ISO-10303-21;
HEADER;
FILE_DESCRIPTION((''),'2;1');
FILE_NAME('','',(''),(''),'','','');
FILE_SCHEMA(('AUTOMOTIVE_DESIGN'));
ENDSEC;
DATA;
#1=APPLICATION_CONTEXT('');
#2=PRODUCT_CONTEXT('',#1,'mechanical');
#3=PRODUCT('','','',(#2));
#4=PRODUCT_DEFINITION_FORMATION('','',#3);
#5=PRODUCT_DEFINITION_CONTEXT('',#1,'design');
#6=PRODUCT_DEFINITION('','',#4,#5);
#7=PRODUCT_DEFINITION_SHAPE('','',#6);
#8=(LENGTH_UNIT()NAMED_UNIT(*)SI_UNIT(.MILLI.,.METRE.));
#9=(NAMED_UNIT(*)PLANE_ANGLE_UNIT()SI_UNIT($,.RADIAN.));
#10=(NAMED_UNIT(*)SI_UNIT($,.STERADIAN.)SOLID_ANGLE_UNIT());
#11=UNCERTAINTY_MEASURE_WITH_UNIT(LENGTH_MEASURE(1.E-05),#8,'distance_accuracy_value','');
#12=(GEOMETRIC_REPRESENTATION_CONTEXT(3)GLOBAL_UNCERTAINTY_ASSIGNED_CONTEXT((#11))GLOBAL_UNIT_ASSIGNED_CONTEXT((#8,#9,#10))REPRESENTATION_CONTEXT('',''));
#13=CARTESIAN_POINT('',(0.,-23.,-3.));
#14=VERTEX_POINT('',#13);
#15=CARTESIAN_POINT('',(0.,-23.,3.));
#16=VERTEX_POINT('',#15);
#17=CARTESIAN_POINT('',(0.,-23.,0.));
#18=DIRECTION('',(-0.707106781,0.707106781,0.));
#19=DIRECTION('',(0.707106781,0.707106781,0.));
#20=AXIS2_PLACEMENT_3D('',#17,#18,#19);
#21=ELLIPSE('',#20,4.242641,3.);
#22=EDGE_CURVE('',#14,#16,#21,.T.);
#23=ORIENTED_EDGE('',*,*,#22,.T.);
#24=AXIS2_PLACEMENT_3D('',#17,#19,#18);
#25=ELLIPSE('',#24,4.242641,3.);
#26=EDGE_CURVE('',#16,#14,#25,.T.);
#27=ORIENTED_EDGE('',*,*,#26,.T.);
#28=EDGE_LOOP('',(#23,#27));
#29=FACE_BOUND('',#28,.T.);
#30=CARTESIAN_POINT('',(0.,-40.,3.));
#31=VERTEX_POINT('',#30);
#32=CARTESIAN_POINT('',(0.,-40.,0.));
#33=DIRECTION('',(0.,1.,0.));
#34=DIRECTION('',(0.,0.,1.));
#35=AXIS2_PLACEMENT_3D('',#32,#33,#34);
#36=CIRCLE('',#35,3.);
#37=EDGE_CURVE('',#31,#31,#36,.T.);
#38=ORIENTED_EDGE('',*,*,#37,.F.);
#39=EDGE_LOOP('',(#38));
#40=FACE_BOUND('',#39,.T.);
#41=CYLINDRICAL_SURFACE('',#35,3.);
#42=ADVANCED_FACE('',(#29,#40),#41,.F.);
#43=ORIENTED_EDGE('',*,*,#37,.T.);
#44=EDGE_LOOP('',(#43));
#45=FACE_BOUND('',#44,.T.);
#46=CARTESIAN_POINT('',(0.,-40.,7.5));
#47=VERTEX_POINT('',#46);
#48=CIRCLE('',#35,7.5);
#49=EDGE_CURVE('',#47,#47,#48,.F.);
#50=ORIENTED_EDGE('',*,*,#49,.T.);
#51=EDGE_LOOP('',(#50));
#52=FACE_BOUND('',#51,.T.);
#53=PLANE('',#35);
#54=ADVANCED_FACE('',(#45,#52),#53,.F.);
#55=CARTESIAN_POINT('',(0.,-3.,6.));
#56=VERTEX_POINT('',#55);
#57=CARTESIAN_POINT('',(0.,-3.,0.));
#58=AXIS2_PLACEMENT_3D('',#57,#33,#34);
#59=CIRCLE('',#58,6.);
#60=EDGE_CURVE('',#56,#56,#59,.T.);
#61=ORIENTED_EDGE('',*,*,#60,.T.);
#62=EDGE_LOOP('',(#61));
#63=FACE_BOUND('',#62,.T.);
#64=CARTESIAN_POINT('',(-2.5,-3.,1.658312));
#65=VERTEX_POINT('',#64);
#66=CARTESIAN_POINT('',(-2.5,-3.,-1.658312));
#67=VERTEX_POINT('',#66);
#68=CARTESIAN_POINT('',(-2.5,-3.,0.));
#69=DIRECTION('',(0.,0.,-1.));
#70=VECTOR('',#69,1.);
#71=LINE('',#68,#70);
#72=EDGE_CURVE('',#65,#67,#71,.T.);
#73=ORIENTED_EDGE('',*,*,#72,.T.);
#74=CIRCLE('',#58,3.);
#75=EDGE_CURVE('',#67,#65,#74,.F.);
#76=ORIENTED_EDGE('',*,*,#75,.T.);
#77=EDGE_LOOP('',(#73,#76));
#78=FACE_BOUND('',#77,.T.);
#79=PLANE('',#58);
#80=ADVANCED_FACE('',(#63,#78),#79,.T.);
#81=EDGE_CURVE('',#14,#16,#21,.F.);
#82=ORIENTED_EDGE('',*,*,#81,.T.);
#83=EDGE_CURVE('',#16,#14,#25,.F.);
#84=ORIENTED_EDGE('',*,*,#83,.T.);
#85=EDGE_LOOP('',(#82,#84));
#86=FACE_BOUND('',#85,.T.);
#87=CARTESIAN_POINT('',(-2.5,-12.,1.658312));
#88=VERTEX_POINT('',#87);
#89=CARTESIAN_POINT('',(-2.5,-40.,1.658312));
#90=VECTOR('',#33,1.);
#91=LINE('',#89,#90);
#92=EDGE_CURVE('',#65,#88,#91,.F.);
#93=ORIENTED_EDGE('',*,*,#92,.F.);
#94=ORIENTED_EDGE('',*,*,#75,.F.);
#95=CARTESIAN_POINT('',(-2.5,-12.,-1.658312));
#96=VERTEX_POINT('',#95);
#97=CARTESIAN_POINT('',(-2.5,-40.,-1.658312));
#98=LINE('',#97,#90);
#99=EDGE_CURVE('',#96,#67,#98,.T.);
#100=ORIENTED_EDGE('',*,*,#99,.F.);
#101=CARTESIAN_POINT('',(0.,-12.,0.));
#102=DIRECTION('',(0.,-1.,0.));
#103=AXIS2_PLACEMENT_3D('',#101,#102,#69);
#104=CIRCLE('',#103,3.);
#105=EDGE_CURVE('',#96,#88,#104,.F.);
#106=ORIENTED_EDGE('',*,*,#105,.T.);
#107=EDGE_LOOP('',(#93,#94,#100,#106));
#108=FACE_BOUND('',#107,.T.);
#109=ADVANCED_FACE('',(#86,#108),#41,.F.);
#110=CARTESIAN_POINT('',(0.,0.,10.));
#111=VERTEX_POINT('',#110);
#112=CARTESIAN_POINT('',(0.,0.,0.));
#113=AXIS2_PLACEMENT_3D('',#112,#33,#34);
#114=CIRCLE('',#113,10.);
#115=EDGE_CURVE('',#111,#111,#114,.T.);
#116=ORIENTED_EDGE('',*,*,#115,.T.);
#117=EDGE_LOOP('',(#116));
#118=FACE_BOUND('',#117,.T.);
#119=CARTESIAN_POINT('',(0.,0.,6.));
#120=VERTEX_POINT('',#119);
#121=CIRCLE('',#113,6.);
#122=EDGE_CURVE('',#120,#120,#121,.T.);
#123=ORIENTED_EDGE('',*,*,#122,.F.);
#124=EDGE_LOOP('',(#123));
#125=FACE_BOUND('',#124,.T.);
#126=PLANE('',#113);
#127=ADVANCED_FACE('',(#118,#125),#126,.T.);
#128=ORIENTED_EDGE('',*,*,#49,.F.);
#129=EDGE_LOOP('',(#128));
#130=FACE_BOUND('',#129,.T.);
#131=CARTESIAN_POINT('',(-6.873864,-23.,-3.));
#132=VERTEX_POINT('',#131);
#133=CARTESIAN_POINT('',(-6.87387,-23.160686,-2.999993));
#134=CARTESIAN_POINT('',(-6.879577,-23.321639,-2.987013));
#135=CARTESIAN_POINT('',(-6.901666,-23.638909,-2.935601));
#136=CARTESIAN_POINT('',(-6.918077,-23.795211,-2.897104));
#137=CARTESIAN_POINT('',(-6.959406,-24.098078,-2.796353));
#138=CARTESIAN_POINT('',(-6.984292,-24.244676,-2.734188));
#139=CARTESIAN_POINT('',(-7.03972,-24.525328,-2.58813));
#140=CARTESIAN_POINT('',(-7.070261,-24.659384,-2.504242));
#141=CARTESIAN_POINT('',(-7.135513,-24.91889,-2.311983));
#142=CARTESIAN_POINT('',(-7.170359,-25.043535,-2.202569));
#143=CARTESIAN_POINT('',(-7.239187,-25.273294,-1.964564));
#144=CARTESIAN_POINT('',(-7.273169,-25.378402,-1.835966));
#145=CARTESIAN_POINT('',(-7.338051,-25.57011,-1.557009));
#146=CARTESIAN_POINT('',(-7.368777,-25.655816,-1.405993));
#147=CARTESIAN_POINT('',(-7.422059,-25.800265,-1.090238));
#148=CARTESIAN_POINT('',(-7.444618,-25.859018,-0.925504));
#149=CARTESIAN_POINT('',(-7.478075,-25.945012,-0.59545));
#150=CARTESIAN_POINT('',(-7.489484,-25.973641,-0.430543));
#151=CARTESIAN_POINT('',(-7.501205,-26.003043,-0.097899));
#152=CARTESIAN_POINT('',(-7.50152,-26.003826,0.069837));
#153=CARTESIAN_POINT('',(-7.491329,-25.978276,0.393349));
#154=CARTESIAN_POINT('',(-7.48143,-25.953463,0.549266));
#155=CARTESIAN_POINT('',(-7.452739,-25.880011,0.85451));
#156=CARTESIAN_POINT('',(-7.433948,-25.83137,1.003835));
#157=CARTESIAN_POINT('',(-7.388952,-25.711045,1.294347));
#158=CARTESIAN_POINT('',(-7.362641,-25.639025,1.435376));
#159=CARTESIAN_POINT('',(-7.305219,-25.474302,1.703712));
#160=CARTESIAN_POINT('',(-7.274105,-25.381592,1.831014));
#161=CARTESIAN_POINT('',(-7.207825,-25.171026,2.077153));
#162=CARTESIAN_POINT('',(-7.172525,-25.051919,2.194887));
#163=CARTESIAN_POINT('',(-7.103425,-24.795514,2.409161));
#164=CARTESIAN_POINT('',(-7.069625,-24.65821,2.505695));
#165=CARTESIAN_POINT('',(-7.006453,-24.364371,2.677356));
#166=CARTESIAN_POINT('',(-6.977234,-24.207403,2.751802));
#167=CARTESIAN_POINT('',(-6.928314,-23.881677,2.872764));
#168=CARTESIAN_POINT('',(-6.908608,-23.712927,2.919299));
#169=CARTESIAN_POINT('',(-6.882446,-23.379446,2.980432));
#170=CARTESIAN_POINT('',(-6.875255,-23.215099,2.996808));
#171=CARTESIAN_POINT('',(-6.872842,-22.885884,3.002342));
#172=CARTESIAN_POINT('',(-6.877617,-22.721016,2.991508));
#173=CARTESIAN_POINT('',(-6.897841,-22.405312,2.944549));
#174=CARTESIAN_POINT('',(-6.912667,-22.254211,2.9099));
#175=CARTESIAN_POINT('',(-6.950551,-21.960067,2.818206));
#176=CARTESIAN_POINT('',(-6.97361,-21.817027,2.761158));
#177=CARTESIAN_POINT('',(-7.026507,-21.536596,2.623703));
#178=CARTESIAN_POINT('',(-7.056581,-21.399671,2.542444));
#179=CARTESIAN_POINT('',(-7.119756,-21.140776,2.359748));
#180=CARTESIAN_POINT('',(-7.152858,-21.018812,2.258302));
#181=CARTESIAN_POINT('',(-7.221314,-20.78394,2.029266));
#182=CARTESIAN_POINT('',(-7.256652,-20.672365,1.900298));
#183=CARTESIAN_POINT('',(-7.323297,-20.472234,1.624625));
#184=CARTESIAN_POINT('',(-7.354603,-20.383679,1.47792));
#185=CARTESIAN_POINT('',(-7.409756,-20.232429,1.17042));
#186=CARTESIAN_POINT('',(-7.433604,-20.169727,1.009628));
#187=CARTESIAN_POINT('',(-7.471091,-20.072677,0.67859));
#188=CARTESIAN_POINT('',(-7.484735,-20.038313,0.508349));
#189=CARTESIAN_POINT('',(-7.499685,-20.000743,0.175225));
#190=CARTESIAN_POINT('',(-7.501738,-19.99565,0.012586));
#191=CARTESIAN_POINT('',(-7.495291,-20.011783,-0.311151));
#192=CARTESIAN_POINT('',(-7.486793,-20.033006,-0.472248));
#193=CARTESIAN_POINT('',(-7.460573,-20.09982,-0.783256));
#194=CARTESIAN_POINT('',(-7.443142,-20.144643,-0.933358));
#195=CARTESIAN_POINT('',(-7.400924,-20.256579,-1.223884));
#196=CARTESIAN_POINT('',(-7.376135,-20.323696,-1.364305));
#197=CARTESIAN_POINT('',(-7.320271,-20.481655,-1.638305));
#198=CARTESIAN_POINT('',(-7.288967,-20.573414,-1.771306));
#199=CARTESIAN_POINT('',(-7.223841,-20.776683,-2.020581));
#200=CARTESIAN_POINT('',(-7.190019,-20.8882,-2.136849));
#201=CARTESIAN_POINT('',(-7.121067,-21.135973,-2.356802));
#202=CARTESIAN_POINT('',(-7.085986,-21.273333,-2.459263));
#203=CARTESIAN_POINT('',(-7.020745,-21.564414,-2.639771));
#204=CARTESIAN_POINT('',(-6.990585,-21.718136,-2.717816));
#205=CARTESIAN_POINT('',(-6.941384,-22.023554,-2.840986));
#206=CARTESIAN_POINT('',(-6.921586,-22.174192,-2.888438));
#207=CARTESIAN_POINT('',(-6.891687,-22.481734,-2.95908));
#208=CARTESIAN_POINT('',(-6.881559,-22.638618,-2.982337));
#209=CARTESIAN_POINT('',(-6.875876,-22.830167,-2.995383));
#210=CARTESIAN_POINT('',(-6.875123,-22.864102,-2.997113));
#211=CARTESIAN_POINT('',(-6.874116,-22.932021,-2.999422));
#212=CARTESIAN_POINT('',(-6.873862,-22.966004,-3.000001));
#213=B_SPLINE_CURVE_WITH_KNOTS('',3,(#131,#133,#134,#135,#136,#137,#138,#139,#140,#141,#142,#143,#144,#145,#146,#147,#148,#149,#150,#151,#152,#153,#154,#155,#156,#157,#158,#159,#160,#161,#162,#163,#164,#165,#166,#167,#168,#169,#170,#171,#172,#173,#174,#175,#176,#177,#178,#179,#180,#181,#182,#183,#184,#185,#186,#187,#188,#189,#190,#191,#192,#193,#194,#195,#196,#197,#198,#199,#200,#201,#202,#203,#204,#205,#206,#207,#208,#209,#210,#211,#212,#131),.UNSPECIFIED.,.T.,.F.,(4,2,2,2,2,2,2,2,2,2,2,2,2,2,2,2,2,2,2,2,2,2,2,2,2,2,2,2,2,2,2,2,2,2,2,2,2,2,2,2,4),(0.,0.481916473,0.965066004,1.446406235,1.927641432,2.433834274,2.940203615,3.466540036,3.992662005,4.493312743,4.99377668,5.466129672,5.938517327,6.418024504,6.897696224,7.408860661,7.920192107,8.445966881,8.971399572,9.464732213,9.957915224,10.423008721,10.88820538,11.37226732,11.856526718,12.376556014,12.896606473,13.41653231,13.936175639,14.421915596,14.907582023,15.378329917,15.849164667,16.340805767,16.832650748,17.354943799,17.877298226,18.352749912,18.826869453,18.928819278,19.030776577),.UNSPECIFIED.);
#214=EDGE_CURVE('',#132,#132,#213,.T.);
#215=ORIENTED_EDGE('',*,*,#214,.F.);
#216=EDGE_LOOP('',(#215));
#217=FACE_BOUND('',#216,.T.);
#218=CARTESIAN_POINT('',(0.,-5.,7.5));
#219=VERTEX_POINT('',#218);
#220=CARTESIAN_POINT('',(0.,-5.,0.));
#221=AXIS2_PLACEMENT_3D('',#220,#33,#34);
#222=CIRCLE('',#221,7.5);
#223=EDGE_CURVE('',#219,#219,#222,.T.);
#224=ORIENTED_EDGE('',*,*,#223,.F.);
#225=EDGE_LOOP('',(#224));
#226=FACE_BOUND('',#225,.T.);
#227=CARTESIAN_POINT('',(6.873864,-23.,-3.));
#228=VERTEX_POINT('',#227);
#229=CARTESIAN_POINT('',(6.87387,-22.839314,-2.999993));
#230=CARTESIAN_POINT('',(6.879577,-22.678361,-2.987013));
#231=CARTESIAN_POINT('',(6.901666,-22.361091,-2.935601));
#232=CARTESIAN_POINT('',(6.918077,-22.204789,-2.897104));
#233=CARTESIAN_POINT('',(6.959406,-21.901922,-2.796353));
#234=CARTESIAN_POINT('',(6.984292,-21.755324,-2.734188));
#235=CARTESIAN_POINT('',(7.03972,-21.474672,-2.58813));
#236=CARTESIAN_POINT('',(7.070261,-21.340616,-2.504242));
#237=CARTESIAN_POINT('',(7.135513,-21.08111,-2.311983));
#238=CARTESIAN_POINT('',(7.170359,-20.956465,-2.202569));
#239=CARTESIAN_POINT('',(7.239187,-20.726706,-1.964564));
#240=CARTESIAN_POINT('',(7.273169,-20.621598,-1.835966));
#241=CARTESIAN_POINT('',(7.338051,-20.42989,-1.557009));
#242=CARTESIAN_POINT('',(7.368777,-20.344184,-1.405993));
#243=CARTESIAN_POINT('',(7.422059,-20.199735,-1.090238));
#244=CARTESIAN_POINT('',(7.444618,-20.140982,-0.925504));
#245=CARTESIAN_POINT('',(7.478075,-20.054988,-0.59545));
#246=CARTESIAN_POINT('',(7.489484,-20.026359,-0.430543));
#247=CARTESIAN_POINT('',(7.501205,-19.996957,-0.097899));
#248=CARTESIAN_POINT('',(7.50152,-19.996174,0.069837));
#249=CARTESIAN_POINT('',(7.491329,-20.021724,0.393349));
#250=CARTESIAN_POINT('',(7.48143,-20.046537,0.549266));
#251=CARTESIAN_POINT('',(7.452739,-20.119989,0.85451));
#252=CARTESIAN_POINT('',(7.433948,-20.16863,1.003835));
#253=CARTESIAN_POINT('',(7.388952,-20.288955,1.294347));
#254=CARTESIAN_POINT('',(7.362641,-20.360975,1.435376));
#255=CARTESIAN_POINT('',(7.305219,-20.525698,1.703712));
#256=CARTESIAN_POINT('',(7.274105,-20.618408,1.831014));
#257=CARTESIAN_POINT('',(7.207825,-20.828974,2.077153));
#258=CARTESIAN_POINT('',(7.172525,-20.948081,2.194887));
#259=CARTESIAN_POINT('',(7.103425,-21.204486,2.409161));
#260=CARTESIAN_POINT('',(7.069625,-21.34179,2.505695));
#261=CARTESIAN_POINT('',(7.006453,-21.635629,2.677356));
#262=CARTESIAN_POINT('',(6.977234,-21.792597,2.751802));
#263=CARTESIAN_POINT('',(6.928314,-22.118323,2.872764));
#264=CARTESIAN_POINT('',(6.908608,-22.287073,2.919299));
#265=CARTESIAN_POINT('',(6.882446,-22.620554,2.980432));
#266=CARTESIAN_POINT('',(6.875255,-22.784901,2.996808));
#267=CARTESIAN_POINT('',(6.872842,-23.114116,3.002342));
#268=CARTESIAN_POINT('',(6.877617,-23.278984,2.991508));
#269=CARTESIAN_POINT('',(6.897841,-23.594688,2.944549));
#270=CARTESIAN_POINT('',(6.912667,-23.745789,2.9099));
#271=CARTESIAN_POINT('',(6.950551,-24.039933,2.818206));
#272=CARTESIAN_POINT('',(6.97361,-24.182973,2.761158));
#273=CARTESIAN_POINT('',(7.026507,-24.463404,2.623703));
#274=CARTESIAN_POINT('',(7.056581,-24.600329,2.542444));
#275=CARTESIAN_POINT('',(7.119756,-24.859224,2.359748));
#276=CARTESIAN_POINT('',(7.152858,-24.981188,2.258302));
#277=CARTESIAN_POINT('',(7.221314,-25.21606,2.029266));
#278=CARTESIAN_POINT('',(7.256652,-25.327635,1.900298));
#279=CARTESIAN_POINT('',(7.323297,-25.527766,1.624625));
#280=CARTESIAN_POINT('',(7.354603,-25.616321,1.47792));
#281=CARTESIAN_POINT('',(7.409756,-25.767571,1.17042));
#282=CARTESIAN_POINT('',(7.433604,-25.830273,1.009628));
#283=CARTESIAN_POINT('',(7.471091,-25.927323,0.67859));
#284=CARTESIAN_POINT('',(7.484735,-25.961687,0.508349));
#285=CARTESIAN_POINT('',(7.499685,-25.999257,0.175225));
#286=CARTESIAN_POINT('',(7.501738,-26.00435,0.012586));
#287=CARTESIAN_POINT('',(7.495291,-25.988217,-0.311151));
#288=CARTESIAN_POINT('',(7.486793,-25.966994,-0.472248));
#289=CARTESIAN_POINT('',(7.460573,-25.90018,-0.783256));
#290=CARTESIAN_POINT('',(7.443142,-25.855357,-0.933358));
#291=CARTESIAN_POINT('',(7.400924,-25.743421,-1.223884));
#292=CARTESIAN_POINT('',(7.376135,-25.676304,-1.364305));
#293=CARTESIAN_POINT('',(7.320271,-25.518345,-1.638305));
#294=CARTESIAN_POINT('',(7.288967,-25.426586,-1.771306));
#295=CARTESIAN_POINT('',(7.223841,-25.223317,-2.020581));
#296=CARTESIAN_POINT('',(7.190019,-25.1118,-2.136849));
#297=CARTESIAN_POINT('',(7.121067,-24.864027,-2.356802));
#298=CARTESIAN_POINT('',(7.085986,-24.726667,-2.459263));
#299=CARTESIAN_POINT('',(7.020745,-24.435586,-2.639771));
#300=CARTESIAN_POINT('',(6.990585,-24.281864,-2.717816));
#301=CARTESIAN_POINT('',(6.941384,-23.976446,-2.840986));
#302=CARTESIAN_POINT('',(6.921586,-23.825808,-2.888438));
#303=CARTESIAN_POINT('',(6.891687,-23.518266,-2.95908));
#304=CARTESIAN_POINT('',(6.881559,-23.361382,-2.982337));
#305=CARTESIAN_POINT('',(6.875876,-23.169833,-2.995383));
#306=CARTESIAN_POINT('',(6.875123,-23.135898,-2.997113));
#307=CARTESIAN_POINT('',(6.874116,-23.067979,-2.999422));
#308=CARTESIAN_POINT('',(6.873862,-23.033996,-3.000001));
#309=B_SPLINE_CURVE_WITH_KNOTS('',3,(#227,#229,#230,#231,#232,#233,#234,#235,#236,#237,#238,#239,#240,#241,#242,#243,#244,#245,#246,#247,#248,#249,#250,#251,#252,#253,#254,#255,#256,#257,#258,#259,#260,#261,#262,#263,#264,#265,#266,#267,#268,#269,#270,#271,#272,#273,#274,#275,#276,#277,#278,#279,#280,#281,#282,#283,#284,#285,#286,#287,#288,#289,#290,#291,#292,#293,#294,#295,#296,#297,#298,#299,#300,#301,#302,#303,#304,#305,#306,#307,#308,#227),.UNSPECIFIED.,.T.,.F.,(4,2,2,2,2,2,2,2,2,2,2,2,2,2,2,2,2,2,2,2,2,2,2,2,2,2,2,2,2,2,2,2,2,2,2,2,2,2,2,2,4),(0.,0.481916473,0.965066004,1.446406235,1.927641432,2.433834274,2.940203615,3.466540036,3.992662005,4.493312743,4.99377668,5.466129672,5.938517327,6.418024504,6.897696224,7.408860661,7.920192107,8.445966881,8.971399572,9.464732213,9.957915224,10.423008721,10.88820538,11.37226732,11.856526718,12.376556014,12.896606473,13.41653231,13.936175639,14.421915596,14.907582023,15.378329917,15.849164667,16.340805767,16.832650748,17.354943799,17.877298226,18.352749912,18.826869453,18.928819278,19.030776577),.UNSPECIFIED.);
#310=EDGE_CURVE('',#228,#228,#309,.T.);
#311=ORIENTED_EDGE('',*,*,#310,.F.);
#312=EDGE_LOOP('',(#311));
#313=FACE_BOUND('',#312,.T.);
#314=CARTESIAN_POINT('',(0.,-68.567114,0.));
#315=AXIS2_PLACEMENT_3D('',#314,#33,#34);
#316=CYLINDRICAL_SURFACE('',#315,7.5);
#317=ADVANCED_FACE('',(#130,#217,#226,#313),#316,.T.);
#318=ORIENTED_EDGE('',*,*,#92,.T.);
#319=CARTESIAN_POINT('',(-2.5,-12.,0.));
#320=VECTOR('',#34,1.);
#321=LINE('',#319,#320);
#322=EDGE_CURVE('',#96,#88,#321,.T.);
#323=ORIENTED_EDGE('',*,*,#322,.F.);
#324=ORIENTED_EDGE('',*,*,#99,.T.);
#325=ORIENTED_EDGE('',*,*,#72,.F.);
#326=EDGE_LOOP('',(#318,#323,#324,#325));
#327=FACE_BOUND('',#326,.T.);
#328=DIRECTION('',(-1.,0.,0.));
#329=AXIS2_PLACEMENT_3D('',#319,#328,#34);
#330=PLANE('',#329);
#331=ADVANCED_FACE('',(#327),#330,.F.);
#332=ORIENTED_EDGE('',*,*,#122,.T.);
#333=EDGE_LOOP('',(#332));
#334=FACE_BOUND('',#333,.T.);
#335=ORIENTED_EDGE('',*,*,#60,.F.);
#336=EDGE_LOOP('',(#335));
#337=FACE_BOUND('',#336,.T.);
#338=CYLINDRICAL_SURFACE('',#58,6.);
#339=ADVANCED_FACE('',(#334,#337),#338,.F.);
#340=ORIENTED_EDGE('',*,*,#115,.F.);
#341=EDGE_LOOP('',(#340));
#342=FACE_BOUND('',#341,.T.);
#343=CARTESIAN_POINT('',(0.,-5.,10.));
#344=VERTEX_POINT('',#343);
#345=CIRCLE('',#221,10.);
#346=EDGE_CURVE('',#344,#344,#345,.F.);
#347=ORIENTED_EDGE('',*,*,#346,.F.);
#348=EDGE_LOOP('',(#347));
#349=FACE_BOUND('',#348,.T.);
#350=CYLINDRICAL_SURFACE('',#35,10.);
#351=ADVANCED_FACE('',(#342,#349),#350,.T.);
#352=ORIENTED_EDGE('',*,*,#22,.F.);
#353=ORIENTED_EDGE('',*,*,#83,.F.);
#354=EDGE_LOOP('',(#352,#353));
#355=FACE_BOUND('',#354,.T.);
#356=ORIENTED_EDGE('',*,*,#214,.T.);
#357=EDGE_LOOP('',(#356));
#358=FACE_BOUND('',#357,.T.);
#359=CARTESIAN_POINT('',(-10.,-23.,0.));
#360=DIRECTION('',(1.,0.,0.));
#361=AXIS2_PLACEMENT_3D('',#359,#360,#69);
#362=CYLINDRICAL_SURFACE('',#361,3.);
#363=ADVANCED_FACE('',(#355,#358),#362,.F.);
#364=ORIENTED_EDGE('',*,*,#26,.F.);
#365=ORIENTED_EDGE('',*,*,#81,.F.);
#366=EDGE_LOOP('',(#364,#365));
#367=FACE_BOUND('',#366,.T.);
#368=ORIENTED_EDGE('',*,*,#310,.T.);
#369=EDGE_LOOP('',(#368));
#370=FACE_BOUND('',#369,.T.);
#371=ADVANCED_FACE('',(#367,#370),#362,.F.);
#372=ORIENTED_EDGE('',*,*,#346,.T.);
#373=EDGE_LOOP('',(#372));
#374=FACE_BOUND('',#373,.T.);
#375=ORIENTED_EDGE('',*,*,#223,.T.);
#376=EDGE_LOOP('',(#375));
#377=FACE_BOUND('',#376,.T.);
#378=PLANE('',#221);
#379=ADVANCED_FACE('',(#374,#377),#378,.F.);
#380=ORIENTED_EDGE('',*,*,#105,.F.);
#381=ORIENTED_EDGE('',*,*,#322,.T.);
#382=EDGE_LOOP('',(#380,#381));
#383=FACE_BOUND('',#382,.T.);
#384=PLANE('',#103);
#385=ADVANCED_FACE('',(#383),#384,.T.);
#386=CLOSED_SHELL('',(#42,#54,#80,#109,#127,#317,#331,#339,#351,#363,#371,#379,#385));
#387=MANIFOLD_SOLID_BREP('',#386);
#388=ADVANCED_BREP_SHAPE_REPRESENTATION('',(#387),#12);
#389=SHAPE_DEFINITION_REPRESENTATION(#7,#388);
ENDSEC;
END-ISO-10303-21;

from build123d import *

# Parameters (mm, degrees)
SKETCH1_R                   = 10
METALSTOCK_DEPTH            = 40
EXTERIORLATHE_START         = -5
SKETCH2_OUTSIDE_W           = 31.798
SKETCH2_OUTSIDE_H           = 31.798
SKETCH2_OUTSIDE_R           = 7.5
EXTERIORLATHE_DEPTH         = 35
SKETCH6_R                   = 3
SHAFTHOLE_FOR_GEARBOX_DEPTH = 41
SKETCH7_W                   = 2
SKETCH7_H                   = 6
KEY_FOR_GEARBOX_DEPTH       = 12
SKETCH8_R                   = 3
SIDESCREWHOLE_DEPTH         = 11
SIDESCREWHOLE_DEPTH_BACK    = 11
SKETCH9_R                   = 6
GEARBOXCOUNTERSINK_DEPTH    = 3


with BuildPart() as part:
    # Sketch1 → MetalStock (new body)
    with BuildSketch(Plane(origin=(0, 0, 0), x_dir=(1, 0, 0), z_dir=(0, 1, 0))):
        Circle(SKETCH1_R)
    extrude(amount=-METALSTOCK_DEPTH)

    # Sketch2 outside → ExteriorLathe (cut)
    with BuildSketch(Plane(origin=(0, 0, 0), x_dir=(1, 0, 0), z_dir=(0, 1, 0)).offset(EXTERIORLATHE_START)):
        Rectangle(SKETCH2_OUTSIDE_W, SKETCH2_OUTSIDE_H)
        Circle(SKETCH2_OUTSIDE_R, mode=Mode.SUBTRACT)
    extrude(amount=-EXTERIORLATHE_DEPTH, mode=Mode.SUBTRACT)

    # Sketch6 → ShaftHole for Gearbox (cut, through all)
    with BuildSketch(Plane(origin=(0, 0, 0), x_dir=(1, 0, 0), z_dir=(0, 1, 0))):
        Circle(SKETCH6_R)
    extrude(amount=-SHAFTHOLE_FOR_GEARBOX_DEPTH, mode=Mode.SUBTRACT)

    # Sketch7 → Key for Gearbox (add)
    with BuildSketch(Plane(origin=(0, 0, 0), x_dir=(1, 0, 0), z_dir=(0, 1, 0))):
        with Locations((-3.5, 0)):
            Rectangle(SKETCH7_W, SKETCH7_H)
    extrude(amount=-KEY_FOR_GEARBOX_DEPTH)

    # Sketch8 → SideScrewHole (cut, two sides)
    with BuildSketch(Plane(origin=(0, 0, 0), x_dir=(0, 0, -1), z_dir=(1, 0, 0))) as sidescrewhole_sk:
        with Locations((0, -23)):
            Circle(SKETCH8_R)
    extrude(amount=SIDESCREWHOLE_DEPTH, mode=Mode.SUBTRACT)
    extrude(sidescrewhole_sk.sketch, amount=-SIDESCREWHOLE_DEPTH_BACK, mode=Mode.SUBTRACT)

    # Sketch9 → GearboxCounterSink (cut)
    with BuildSketch(Plane(origin=(0, 0, 0), x_dir=(1, 0, 0), z_dir=(0, 1, 0))):
        Circle(SKETCH9_R)
    extrude(amount=-GEARBOXCOUNTERSINK_DEPTH, mode=Mode.SUBTRACT)


solid = part.part
